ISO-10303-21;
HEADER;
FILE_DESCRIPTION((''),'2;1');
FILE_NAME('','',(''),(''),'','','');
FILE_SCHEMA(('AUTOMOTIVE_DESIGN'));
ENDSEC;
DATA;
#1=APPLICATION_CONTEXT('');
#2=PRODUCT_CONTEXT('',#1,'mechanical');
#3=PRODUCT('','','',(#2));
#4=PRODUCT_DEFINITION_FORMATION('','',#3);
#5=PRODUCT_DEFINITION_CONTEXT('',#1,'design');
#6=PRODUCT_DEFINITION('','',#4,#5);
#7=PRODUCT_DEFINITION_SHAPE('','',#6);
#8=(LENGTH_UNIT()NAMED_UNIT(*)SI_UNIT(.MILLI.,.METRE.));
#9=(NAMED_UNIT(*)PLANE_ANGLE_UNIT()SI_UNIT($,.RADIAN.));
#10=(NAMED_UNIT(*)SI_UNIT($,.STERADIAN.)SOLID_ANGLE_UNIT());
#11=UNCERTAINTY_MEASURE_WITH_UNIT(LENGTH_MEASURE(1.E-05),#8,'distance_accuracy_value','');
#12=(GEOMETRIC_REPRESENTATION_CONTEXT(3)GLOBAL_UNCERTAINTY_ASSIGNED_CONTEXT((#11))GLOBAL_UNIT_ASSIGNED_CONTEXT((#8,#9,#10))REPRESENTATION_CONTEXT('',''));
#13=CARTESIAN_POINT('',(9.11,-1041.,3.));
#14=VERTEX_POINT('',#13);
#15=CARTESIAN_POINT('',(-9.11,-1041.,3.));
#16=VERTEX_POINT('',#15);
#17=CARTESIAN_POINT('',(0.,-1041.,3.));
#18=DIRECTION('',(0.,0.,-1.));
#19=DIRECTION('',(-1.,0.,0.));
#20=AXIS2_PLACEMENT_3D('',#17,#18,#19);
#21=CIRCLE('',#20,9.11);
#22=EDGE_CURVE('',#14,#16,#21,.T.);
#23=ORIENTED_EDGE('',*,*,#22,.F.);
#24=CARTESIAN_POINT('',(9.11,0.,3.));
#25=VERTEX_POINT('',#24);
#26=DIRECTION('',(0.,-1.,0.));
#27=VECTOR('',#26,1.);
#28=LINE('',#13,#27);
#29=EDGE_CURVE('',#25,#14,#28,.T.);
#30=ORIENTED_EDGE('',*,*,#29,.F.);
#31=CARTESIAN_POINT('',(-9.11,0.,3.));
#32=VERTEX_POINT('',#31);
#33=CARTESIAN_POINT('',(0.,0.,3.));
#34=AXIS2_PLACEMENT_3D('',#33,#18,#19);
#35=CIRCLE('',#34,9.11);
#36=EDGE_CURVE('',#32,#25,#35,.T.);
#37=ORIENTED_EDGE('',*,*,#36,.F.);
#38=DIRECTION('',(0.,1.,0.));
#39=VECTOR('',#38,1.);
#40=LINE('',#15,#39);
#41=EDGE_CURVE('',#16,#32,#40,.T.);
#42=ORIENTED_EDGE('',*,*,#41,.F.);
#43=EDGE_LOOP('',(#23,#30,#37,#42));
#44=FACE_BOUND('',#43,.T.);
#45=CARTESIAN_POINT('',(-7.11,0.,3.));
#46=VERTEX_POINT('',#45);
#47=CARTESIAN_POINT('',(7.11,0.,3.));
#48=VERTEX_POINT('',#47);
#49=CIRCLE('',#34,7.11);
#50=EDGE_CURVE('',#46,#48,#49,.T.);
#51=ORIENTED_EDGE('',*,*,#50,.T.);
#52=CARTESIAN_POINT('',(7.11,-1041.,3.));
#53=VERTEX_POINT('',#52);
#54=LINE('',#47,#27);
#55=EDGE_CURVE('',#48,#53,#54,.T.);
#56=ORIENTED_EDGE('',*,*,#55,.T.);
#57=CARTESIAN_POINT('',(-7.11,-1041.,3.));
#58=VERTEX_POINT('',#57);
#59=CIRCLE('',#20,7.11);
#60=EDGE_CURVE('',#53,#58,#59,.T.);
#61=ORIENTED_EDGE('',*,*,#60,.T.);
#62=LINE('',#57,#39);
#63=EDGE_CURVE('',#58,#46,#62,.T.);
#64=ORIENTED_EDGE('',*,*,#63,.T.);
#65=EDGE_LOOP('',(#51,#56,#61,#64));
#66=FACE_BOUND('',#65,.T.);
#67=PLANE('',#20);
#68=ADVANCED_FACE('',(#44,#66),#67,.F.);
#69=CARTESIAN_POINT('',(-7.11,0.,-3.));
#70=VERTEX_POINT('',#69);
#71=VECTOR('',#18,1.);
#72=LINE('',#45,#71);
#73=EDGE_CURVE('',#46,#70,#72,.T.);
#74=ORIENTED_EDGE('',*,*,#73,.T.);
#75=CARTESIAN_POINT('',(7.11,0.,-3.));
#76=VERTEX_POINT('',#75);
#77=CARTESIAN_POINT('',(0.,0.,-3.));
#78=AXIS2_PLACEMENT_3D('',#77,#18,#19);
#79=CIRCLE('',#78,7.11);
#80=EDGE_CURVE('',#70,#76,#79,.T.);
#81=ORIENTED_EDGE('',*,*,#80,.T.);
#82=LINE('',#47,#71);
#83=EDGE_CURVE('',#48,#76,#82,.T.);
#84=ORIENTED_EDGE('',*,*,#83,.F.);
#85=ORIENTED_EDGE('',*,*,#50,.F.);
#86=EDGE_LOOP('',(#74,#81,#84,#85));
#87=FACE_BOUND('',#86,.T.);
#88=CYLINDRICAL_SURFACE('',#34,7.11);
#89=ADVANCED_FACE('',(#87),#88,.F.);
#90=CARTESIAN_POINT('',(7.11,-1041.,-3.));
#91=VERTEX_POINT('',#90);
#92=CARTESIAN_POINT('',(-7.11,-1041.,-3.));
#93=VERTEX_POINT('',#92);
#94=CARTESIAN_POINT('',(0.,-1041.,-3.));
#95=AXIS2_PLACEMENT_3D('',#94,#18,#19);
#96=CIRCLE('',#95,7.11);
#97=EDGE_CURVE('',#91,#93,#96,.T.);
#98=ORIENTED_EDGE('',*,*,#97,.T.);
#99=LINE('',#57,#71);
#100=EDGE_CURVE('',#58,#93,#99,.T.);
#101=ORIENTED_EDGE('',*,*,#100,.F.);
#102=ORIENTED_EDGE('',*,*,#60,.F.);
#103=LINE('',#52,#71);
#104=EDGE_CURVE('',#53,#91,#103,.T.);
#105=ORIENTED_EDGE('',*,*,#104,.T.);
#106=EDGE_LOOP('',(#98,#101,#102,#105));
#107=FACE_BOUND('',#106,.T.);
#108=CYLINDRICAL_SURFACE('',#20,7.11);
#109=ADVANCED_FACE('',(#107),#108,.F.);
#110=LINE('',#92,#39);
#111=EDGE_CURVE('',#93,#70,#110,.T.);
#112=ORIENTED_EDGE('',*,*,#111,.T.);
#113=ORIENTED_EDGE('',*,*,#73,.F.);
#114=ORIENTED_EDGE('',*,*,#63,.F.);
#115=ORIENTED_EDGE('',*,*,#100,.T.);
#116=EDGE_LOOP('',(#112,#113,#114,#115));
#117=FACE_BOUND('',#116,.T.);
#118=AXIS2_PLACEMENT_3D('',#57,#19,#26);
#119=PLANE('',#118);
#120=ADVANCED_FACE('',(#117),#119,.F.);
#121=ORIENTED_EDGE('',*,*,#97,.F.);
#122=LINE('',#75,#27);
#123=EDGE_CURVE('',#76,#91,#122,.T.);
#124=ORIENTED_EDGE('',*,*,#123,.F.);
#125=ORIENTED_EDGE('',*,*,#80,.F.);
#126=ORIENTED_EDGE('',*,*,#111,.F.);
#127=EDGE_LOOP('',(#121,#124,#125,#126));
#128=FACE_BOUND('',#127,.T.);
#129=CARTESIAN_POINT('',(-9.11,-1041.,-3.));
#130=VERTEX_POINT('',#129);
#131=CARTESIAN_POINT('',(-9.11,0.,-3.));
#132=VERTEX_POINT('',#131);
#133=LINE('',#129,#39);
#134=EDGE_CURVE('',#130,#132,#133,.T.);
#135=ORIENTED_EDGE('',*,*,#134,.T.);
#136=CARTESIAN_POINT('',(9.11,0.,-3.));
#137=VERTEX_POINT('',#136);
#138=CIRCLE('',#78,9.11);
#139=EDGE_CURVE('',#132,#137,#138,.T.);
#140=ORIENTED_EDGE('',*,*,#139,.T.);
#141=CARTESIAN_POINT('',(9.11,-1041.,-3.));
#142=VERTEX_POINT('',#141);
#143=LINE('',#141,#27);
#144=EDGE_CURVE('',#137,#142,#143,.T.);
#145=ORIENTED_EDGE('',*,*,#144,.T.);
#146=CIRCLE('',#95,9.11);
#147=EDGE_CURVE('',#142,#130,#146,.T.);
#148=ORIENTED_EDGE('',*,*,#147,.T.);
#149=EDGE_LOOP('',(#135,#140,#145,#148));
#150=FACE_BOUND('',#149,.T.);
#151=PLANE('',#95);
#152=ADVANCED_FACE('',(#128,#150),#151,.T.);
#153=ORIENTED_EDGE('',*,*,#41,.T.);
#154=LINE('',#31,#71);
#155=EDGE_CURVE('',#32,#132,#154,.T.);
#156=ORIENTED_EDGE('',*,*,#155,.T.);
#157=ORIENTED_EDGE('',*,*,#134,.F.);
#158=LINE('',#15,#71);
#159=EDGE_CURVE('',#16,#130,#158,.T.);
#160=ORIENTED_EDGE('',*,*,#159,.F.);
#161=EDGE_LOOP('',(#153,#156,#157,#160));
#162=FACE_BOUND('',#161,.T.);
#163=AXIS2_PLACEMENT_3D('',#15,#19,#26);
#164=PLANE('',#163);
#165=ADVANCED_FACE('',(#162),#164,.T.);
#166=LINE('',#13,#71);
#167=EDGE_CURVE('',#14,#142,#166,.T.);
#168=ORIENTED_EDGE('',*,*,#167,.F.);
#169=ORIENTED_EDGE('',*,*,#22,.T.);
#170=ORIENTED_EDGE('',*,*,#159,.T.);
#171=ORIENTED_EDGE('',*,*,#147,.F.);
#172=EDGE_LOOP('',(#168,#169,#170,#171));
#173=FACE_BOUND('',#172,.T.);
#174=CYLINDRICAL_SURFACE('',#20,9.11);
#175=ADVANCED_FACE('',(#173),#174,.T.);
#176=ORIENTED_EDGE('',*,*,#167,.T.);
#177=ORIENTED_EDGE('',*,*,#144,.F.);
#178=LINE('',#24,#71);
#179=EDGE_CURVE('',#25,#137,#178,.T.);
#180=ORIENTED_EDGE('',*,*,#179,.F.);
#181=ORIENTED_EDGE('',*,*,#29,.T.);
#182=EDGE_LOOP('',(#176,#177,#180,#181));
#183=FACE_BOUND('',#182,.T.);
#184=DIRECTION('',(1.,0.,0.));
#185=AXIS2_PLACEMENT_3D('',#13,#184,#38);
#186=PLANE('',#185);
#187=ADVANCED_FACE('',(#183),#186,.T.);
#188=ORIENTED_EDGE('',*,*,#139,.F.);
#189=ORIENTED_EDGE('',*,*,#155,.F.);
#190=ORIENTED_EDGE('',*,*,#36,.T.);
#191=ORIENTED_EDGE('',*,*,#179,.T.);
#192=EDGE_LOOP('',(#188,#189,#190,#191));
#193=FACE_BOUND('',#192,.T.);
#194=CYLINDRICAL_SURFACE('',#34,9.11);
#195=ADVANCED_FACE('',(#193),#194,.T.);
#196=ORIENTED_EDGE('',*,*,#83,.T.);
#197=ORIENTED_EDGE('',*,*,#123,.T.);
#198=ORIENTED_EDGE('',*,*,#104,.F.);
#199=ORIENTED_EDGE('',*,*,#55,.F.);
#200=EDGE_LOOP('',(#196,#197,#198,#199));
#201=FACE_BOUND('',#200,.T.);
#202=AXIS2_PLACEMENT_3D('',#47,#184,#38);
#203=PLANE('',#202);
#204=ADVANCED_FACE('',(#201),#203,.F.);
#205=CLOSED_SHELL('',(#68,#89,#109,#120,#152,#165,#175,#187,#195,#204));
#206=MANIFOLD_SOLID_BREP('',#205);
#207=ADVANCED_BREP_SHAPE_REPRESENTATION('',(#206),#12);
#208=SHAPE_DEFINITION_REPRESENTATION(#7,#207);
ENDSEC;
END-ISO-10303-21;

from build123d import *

# Parameters (mm, degrees)
EXTRUDE_THIN1_DEPTH = 3


with BuildPart() as part:
    # Sketch2 → Extrude-Thin1 (new, symmetric)
    with BuildSketch(Plane.XY):
        with BuildLine():
            Line((-9.11, -1041), (-9.11, 0))
            ThreePointArc((-9.11, 0), (0, 9.11), (9.11, 0))
            Line((9.11, 0), (9.11, -1041))
            ThreePointArc((9.11, -1041), (0, -1050.11), (-9.11, -1041))
        make_face()
        with BuildLine():
            Line((-7.11, -1041), (-7.11, 0))
            ThreePointArc((-7.11, 0), (0, 7.11), (7.11, 0))
            Line((7.11, 0), (7.11, -1041))
            ThreePointArc((7.11, -1041), (0, -1048.11), (-7.11, -1041))
        make_face(mode=Mode.SUBTRACT)
    extrude(amount=EXTRUDE_THIN1_DEPTH, both=True)


solid = part.part
